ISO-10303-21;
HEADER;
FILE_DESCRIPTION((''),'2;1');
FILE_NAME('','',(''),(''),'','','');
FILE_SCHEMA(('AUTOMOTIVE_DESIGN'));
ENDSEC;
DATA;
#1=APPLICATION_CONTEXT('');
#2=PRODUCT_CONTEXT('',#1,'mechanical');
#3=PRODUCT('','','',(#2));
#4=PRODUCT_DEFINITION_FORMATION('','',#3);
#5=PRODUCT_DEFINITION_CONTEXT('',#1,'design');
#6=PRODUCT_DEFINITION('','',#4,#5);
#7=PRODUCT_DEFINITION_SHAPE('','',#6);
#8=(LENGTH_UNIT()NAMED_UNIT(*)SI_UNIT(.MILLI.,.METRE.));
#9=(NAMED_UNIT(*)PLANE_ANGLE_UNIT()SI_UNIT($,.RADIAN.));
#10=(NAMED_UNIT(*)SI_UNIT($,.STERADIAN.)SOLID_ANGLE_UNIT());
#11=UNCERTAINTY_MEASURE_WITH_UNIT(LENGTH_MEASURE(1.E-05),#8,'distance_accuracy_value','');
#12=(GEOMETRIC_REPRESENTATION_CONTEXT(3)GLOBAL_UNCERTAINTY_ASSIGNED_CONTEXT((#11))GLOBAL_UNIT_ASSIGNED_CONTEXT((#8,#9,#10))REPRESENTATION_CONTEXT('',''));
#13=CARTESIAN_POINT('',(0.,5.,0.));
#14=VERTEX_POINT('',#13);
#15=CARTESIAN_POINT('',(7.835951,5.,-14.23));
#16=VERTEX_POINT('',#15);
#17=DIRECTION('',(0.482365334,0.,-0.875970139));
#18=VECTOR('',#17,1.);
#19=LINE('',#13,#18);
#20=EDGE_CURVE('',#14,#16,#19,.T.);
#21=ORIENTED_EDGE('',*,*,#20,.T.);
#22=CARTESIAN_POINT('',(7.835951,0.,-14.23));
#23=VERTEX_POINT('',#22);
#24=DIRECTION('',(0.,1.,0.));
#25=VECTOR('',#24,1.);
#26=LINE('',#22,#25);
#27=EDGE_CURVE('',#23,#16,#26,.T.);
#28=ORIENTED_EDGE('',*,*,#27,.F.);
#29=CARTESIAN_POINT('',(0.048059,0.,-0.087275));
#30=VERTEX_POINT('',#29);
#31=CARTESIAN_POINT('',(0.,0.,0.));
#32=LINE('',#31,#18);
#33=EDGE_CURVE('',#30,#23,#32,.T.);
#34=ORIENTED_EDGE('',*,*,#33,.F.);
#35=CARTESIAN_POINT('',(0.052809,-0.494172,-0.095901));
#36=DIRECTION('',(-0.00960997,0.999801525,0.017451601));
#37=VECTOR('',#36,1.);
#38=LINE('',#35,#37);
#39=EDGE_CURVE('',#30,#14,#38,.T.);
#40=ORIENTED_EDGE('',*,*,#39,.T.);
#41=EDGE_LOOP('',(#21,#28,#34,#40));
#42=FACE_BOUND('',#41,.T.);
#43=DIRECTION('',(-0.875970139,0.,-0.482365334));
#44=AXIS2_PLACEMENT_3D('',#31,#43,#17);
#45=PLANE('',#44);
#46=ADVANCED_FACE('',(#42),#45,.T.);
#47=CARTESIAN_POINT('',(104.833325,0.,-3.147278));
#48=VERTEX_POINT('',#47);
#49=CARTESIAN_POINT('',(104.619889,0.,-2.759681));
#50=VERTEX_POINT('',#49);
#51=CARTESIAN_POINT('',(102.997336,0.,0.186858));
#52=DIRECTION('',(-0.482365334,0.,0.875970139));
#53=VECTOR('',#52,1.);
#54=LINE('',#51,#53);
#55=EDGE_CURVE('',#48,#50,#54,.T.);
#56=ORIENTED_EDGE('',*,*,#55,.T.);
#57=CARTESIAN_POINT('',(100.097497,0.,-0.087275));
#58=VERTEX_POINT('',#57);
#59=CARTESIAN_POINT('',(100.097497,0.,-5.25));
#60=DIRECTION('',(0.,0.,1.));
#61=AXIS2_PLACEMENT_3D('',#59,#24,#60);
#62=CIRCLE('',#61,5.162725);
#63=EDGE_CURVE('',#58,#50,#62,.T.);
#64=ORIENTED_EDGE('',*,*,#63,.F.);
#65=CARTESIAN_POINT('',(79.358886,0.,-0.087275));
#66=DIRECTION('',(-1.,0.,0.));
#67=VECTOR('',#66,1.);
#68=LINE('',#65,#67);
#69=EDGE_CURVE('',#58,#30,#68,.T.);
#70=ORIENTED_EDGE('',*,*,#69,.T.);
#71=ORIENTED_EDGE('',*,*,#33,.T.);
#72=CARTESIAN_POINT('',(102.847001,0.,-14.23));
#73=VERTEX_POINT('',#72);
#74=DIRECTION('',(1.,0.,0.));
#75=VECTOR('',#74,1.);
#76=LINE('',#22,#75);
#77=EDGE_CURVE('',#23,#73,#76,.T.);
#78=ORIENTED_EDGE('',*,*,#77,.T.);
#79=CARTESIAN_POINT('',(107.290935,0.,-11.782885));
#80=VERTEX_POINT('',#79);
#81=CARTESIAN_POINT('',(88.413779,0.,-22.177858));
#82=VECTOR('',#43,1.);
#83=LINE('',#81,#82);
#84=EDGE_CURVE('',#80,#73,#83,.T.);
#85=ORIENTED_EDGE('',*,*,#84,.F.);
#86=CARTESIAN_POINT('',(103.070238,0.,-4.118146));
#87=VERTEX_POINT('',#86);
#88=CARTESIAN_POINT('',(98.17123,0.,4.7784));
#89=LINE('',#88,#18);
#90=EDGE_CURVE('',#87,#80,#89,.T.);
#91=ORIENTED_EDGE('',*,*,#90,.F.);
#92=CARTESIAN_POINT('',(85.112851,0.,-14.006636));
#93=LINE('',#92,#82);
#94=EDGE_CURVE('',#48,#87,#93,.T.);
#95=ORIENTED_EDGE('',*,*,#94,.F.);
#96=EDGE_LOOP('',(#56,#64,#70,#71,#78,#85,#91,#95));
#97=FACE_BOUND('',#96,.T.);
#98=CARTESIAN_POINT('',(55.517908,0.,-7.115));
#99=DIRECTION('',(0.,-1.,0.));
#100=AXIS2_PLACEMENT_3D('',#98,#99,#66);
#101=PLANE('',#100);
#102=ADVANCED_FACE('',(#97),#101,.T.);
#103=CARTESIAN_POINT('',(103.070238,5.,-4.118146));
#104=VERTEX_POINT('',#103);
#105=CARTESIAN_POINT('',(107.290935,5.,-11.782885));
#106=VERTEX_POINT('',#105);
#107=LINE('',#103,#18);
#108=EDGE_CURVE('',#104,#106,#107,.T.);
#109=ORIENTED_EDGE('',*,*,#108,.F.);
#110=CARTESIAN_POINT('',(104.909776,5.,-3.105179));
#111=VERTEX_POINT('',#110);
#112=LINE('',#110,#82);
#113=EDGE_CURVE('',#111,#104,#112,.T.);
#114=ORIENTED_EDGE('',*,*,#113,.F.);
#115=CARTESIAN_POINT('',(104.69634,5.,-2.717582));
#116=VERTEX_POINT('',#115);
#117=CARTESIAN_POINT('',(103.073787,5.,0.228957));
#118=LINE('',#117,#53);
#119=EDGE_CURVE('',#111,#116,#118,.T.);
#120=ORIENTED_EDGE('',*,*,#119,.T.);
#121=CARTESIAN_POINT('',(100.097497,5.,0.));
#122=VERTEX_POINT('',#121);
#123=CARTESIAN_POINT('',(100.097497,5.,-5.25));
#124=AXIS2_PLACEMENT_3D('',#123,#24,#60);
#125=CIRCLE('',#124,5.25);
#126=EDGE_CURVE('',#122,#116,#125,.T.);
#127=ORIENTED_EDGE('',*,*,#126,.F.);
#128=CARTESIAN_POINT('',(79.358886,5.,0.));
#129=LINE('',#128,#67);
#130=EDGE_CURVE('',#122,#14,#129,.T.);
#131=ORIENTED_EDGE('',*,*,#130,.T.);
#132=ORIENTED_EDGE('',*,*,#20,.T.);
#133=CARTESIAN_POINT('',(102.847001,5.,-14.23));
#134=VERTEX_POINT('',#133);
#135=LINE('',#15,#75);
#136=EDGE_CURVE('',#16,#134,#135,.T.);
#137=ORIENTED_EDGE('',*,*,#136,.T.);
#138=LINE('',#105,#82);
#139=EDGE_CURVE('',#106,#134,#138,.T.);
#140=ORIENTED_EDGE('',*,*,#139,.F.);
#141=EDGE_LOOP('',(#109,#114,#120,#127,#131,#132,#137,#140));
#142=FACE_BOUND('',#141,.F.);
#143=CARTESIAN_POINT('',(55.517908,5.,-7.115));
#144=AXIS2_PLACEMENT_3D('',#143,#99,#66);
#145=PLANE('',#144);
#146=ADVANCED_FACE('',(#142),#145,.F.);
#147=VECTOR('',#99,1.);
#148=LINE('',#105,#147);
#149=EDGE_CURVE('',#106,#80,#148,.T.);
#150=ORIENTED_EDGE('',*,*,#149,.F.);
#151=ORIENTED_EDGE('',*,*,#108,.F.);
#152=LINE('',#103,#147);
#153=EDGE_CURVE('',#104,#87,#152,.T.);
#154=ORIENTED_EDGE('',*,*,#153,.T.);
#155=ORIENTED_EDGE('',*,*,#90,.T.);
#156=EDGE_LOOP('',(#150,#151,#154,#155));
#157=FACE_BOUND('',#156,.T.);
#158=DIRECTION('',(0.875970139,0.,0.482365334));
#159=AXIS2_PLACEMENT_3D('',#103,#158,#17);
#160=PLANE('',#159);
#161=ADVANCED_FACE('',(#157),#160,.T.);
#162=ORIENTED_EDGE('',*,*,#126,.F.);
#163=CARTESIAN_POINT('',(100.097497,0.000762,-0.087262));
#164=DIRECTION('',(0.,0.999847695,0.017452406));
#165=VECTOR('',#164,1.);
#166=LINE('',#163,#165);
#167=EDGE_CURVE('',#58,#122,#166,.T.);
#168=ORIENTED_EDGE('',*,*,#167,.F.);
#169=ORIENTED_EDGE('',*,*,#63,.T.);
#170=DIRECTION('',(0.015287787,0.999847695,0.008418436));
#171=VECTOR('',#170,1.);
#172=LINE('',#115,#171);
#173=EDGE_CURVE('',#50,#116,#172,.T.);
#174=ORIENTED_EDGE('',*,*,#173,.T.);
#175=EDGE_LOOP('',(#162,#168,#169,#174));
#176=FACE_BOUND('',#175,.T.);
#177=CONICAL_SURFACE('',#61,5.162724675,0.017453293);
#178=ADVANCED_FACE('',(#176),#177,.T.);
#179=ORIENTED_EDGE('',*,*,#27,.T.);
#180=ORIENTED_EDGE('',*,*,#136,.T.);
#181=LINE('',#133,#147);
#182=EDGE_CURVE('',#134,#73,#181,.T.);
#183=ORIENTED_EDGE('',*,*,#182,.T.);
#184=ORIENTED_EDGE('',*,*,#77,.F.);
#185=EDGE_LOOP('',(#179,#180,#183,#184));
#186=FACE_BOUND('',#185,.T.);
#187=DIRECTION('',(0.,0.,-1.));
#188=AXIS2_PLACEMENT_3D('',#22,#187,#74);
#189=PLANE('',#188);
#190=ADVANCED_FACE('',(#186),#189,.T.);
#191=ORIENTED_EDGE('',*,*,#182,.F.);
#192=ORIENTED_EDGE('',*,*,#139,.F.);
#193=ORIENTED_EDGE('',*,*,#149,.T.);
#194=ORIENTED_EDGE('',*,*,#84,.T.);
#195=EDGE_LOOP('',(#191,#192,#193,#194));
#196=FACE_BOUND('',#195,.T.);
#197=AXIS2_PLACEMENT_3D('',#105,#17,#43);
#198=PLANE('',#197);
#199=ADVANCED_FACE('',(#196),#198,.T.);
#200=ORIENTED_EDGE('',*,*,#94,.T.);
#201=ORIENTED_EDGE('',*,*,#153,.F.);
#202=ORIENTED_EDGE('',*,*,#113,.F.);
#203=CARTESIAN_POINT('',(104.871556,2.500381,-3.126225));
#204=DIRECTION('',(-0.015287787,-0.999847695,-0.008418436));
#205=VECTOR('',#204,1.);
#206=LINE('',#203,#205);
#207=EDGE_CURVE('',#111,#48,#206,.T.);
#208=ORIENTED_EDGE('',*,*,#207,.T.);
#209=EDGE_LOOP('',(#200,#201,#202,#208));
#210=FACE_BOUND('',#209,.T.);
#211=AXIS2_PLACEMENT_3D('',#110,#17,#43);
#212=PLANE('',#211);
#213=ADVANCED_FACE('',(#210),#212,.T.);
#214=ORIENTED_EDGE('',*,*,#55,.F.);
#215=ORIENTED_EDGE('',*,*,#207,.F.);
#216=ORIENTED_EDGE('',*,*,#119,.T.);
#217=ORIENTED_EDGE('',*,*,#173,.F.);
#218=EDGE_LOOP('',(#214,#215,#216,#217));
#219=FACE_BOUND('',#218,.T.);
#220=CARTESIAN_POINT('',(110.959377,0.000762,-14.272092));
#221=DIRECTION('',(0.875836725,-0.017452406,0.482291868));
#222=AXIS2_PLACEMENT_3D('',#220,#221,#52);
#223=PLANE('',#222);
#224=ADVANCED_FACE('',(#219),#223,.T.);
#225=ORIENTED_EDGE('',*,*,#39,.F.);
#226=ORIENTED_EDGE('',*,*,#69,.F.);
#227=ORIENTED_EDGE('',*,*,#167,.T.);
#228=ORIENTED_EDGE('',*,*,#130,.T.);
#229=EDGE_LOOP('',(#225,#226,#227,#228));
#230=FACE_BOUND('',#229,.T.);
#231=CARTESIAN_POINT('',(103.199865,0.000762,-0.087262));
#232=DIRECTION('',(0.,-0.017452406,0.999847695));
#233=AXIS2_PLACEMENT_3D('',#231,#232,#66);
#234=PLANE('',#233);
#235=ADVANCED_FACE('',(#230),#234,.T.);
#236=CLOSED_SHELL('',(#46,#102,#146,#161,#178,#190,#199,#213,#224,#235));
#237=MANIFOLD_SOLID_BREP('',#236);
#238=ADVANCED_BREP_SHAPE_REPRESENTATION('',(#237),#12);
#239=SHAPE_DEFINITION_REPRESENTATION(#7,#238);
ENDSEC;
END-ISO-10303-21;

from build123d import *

# Parameters (mm, degrees)
BOSS_EXTRUDE1_DEPTH = 5
CUT_EXTRUDE1_REACH  = 114.056
CUT_EXTRUDE2_REACH  = 111.68
FILLET1_R           = 5.25
DRAFT1_ANGLE        = -1


with BuildPart() as part:
    # Sketch1 → Boss-Extrude1 (new body)
    with BuildSketch(Plane(origin=(0, 0, 0), x_dir=(1, 0, 0), z_dir=(0, 1, 0))):
        Polygon((0, 0), (7.835950564, 14.23), (111.035815461, 14.23), (103.199864898, 0), align=None)
    extrude(amount=BOSS_EXTRUDE1_DEPTH)

    # Sketch2 → Cut-Extrude1 (cut, up to next)
    with BuildSketch(Plane(origin=(0, 5, 0), x_dir=(1, 0, 0), z_dir=(0, 1, 0)), mode=Mode.PRIVATE) as cut_extrude1_sk1:
        Polygon((104.909775718, 3.105179235), (103.070238426, 4.118146436), (108.638473467, 14.23), (111.035815461, 14.23), align=None)
    cut_extrude1_tool1 = extrude(cut_extrude1_sk1.sketch, amount=-CUT_EXTRUDE1_REACH, mode=Mode.PRIVATE) & part.part
    add(cut_extrude1_tool1.solids().sort_by_distance((106.930417, 5, -8.916805))[0], mode=Mode.SUBTRACT)

    # Sketch4 → Cut-Extrude2 (cut, up to next)
    with BuildSketch(Plane(origin=(0, 5, 0), x_dir=(1, 0, 0), z_dir=(0, 1, 0)), mode=Mode.PRIVATE) as cut_extrude2_sk1:
        Polygon((108.638473467, 14.23), (107.2909351, 11.782885153), (102.847001464, 14.23), align=None)
    cut_extrude2_tool1 = extrude(cut_extrude2_sk1.sketch, amount=-CUT_EXTRUDE2_REACH, mode=Mode.PRIVATE) & part.part
    add(cut_extrude2_tool1.solids().sort_by_distance((106.258803, 5, -13.414295))[0], mode=Mode.SUBTRACT)

    # Fillet1
    fillet1_edges = [part.edges().sort_by_distance(p)[0] for p in [
        (103.199864898, 2.5, 0),
    ]]
    fillet(fillet1_edges, radius=FILLET1_R)

    # Draft1
    draft1_faces = [part.faces().sort_by_distance(p)[0] for p in [
        (50.048748296, 2.5, 0),
        (104.80305777, 2.5, -2.911380615),
        (102.76838647, 2.5, -0.730171766),
    ]]
    draft(draft1_faces, Plane.ZX.offset(5), DRAFT1_ANGLE)


solid = part.part
